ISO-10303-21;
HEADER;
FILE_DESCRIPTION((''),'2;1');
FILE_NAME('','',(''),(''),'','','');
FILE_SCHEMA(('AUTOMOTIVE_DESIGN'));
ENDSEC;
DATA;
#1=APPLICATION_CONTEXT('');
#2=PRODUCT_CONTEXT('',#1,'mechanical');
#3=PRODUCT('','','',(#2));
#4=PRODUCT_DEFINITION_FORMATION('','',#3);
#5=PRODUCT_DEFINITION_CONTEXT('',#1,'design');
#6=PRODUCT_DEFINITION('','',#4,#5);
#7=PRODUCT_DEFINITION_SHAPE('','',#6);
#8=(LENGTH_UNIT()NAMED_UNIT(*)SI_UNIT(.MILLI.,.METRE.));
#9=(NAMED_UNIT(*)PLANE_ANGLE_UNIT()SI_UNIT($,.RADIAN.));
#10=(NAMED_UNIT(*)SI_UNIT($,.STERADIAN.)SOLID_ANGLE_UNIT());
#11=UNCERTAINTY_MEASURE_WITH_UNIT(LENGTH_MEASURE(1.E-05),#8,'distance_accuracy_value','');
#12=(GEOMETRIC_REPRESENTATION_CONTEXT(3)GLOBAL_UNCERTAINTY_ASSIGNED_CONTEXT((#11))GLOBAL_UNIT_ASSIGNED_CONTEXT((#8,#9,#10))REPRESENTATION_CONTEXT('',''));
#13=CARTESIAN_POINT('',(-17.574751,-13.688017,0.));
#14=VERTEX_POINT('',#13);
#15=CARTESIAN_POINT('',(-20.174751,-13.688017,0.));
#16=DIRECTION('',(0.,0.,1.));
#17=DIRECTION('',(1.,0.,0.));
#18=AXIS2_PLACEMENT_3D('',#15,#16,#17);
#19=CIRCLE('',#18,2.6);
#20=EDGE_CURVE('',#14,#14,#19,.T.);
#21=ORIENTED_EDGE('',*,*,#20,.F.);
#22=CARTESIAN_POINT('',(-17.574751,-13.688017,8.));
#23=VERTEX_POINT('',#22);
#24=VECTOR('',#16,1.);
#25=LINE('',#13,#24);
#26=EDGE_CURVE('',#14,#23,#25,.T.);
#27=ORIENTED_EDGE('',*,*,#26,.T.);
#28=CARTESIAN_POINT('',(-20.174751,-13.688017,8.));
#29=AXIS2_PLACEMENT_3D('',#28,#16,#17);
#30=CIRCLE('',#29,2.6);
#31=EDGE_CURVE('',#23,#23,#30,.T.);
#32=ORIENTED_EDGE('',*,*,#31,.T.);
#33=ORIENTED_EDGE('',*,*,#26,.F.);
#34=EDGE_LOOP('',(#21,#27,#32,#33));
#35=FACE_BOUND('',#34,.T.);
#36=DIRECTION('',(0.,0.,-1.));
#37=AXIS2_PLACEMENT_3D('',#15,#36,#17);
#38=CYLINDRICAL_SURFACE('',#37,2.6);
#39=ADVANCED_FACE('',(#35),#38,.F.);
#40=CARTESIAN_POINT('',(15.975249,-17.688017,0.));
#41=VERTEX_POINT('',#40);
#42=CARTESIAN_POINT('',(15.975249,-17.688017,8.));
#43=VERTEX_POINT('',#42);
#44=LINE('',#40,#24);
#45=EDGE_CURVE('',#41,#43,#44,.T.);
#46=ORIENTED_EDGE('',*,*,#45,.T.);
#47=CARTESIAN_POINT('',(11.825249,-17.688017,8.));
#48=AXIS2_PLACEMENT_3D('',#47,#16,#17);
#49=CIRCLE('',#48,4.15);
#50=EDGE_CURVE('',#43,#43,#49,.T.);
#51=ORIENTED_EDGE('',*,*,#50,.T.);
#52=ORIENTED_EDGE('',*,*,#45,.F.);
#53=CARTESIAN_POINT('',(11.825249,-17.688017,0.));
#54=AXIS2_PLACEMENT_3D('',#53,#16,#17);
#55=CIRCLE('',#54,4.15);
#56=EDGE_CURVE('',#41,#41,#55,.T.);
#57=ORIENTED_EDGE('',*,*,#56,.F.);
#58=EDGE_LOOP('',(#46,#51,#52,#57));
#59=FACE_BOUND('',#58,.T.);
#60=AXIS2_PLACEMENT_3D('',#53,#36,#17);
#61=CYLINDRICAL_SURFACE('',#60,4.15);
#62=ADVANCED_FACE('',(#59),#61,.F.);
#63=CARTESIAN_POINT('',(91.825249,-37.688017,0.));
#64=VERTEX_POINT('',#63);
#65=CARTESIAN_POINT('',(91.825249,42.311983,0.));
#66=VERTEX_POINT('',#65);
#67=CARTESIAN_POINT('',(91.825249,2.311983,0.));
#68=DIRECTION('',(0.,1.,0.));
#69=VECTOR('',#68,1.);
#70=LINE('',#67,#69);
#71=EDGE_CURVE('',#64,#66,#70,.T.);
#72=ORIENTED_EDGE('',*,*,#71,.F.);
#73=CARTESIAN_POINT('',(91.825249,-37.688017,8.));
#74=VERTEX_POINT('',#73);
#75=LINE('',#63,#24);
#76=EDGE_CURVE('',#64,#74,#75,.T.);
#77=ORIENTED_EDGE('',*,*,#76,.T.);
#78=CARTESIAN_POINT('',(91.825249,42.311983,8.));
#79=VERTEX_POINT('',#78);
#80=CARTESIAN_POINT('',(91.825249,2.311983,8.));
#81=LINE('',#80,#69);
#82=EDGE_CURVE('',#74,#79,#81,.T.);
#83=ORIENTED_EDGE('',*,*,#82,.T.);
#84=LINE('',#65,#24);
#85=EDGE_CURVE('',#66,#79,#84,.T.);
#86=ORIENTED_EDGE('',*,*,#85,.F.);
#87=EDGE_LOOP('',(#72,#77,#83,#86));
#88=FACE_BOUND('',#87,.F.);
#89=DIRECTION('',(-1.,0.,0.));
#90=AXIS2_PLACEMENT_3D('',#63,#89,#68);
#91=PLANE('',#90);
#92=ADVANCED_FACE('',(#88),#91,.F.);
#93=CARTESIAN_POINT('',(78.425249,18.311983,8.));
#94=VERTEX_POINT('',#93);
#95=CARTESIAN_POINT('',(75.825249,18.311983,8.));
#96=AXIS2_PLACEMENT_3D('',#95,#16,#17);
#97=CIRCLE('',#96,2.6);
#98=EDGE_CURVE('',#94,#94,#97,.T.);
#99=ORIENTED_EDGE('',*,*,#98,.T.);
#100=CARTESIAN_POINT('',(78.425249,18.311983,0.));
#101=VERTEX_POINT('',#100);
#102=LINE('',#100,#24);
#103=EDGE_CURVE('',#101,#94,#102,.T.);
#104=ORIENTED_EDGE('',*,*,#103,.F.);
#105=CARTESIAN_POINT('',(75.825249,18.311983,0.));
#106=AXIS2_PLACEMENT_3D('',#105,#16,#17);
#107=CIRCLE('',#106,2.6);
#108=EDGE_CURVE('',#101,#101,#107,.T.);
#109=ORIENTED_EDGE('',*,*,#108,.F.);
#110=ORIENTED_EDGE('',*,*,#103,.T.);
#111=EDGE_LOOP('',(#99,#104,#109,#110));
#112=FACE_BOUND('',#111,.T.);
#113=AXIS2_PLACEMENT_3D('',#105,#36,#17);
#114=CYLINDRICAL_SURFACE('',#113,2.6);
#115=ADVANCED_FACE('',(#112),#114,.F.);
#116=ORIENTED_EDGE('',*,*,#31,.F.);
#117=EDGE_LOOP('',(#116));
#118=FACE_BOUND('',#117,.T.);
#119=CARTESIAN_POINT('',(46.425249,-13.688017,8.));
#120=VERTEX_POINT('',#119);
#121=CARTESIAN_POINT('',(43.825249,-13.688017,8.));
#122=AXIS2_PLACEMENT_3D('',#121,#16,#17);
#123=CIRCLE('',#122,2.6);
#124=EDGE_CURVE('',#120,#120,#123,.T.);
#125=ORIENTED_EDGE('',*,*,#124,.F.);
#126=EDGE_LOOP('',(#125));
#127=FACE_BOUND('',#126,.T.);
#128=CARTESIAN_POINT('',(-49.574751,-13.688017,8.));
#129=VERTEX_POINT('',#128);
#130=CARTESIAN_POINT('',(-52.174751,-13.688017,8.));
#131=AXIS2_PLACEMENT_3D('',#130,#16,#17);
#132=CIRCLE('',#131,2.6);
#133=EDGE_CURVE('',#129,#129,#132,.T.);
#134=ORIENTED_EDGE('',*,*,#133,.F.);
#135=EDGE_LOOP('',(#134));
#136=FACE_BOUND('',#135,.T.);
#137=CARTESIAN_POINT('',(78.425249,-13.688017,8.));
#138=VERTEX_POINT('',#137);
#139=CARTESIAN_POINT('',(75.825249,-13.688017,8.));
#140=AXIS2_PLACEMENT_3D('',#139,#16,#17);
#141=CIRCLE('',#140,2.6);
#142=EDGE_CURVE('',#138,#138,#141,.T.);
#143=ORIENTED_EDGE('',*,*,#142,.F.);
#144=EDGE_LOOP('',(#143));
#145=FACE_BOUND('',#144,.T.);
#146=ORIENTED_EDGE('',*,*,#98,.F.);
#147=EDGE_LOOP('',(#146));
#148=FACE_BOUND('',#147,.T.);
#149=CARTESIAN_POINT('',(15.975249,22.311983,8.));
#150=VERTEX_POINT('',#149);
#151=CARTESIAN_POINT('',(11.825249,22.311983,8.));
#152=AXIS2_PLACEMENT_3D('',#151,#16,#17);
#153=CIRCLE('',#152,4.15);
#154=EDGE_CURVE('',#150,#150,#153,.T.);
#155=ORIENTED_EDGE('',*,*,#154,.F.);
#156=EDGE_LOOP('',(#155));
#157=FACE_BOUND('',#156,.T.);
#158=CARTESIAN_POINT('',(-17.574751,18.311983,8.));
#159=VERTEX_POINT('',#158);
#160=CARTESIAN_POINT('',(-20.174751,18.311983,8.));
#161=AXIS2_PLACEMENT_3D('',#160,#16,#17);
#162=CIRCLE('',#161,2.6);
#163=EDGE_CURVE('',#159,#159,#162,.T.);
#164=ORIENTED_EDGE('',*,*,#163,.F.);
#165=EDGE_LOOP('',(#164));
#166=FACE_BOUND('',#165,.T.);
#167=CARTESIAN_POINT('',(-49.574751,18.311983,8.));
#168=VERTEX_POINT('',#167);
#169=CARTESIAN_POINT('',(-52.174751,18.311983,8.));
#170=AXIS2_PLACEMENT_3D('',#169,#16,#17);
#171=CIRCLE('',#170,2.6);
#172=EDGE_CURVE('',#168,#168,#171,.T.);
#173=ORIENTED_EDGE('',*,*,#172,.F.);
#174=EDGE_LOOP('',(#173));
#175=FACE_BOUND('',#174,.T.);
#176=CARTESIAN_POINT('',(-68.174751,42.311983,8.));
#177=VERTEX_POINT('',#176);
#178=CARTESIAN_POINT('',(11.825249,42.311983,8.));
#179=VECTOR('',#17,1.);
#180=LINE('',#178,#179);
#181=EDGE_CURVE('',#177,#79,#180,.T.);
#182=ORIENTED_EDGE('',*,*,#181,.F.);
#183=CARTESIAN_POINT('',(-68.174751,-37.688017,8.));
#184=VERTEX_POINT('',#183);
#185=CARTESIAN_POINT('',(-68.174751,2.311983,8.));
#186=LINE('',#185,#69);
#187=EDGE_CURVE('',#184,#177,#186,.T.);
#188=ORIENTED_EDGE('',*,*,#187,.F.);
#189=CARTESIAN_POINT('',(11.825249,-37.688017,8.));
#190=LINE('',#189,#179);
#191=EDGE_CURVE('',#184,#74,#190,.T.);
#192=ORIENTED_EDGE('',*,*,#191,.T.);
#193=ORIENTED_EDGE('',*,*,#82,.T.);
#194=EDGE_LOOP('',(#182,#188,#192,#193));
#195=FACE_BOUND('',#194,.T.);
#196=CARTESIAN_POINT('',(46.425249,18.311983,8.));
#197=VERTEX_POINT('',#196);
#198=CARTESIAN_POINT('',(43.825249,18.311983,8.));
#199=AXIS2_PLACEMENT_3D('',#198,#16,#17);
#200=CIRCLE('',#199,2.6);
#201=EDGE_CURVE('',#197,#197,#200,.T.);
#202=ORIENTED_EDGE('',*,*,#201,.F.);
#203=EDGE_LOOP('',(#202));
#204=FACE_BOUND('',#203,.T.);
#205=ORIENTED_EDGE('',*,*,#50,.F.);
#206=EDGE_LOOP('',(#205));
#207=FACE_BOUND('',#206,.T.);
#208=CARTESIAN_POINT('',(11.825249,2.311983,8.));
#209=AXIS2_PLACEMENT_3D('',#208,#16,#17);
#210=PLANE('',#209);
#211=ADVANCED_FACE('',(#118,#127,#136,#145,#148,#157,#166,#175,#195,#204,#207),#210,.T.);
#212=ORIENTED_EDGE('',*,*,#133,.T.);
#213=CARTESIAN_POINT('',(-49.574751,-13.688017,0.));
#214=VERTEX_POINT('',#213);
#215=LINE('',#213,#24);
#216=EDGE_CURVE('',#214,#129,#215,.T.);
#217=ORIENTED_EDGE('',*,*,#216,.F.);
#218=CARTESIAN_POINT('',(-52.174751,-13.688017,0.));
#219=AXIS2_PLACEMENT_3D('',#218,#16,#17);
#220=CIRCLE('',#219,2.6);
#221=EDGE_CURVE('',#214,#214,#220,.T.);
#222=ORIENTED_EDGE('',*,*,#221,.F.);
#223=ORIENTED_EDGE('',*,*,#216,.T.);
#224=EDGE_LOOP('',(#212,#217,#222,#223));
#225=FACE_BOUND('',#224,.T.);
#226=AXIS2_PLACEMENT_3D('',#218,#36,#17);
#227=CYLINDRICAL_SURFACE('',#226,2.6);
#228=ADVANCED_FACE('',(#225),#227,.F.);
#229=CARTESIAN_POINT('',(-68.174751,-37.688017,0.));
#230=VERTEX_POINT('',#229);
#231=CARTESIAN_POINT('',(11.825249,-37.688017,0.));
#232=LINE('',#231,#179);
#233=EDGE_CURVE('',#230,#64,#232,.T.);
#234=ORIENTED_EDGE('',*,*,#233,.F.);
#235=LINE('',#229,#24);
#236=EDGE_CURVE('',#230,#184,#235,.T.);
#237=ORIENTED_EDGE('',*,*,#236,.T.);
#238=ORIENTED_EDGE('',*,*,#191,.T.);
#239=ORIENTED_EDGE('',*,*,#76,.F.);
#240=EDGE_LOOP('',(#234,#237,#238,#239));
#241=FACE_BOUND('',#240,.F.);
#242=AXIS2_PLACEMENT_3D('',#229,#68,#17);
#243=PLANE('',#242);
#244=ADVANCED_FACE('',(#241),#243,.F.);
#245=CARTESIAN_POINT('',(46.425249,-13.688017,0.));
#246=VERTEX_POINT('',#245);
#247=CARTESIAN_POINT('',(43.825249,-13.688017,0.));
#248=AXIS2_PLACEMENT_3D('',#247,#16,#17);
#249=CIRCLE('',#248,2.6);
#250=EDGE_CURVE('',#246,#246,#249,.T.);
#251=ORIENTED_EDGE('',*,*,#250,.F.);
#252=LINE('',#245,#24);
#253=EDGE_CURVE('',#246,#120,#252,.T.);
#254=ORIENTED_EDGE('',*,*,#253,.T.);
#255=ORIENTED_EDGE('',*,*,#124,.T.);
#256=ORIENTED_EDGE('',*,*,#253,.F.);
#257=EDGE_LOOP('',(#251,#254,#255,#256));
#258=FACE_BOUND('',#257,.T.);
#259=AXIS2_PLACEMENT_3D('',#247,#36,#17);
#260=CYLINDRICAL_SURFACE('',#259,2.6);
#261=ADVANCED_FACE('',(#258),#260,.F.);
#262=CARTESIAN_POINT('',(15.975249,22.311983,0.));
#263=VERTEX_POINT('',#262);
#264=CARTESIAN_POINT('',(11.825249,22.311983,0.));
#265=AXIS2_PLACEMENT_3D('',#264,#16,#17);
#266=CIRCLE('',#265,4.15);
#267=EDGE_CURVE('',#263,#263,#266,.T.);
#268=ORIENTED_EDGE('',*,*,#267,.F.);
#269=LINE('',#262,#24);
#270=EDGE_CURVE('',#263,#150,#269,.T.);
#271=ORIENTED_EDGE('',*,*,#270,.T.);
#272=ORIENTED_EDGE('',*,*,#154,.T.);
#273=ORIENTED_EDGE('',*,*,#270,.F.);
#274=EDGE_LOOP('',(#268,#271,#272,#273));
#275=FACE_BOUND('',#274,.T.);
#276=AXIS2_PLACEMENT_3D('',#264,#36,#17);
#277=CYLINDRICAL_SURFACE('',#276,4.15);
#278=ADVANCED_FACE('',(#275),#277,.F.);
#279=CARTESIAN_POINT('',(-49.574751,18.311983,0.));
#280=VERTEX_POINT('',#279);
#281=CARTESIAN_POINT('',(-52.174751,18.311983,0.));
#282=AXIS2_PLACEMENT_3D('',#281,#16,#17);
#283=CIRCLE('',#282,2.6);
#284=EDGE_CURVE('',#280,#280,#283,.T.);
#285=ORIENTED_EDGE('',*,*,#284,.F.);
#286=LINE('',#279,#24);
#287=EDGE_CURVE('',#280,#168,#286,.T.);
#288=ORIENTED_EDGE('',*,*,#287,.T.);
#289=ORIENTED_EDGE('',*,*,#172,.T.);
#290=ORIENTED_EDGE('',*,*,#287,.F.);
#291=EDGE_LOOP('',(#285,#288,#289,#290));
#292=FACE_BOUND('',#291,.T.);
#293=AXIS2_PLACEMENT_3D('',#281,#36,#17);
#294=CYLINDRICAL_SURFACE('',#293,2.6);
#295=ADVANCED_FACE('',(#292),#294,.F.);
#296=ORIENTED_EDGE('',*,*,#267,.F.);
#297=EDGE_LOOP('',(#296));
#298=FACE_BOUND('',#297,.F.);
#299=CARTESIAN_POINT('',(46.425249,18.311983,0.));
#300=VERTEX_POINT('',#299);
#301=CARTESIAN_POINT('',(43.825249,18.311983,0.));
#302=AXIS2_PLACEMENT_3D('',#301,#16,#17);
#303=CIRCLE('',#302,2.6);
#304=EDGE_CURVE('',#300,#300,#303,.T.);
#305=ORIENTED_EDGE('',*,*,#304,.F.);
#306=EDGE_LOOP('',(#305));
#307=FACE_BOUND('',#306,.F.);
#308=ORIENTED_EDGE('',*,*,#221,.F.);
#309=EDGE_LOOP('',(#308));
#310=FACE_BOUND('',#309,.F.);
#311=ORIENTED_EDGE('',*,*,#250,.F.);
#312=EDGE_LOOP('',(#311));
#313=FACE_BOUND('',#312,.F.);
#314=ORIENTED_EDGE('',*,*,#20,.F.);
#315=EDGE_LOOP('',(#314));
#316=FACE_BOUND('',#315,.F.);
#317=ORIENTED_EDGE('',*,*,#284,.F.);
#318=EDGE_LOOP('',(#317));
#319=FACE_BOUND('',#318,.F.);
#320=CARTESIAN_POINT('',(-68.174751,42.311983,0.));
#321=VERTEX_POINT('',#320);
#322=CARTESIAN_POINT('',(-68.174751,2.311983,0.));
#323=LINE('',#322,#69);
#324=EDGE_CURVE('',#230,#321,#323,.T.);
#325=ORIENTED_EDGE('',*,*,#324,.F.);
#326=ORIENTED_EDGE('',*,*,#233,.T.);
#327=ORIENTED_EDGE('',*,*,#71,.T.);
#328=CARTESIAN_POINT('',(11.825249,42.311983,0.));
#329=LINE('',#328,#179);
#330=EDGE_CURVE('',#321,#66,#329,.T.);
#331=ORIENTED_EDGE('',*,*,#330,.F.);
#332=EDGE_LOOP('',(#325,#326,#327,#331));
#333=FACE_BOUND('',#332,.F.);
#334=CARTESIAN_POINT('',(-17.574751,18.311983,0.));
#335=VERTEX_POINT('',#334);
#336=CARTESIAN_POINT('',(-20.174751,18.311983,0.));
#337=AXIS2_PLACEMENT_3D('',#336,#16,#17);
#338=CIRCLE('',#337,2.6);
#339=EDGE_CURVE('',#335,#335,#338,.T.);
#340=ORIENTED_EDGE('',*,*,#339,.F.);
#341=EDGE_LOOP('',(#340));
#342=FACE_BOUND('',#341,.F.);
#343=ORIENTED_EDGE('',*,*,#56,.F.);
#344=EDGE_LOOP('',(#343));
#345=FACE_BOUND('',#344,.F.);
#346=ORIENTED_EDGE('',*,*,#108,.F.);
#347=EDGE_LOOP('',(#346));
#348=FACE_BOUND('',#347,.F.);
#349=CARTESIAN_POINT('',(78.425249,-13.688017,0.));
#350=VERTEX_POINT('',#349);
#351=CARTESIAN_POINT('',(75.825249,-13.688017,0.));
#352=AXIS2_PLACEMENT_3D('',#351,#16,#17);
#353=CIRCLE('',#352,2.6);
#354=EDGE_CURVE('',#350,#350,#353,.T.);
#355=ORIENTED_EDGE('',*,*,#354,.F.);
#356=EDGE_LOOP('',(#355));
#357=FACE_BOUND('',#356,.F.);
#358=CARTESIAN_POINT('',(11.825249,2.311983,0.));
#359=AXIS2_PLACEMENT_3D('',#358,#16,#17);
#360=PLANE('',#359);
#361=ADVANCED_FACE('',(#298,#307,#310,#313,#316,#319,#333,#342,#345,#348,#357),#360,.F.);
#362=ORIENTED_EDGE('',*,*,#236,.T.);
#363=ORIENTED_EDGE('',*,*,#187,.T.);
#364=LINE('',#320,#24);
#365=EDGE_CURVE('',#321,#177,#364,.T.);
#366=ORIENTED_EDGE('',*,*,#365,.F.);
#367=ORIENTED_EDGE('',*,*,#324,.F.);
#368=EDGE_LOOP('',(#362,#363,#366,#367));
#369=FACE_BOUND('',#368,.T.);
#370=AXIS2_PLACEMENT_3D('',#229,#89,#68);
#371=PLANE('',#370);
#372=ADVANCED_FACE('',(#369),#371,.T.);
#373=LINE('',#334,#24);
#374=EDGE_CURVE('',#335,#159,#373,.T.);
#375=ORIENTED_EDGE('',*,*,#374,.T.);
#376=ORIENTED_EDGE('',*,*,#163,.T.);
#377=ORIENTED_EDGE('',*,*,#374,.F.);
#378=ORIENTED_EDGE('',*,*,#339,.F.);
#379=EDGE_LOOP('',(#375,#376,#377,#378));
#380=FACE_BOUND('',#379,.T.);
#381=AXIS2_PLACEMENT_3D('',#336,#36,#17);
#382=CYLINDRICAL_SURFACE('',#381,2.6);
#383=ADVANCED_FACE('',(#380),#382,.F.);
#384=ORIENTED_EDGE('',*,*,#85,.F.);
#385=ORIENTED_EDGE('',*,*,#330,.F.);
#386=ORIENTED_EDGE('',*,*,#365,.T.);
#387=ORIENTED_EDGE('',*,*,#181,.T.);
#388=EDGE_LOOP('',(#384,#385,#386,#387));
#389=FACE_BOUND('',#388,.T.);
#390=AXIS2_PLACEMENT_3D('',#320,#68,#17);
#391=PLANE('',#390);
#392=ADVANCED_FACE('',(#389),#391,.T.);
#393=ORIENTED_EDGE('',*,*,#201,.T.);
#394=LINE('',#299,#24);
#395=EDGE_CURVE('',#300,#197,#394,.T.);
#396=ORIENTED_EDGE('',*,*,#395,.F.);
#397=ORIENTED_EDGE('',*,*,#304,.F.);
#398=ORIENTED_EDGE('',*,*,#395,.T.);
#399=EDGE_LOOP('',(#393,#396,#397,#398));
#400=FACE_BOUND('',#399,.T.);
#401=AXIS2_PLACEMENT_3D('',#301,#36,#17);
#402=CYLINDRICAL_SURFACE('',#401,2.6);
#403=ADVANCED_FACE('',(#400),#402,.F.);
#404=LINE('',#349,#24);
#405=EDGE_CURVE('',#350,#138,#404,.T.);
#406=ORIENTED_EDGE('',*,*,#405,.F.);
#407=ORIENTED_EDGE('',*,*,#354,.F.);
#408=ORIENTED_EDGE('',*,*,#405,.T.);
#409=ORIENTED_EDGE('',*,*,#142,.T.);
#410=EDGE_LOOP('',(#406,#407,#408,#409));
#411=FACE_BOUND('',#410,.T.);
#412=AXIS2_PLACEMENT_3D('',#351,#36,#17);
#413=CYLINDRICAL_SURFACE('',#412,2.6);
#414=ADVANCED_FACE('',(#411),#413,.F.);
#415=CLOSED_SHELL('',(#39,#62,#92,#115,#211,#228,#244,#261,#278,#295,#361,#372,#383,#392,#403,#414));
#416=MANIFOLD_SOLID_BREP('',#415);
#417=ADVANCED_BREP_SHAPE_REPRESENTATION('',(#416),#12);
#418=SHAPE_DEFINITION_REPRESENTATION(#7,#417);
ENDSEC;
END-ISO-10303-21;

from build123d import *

# Parameters (mm, degrees)
F0_W     = 160
F0_H     = 80
F0_R     = 2.6
F0_R_2   = 4.15
F1_DEPTH = 8


with BuildPart() as f1:
    # F0 (on Top) → F1 (new body)
    with BuildSketch(Plane.XY):
        with Locations((11.825249, 2.311983)):
            Rectangle(F0_W, F0_H)
        with Locations((-52.174751, -13.688017)):
            Circle(F0_R, mode=Mode.SUBTRACT)
        with Locations((-20.174751, -13.688017)):
            Circle(F0_R, mode=Mode.SUBTRACT)
        with Locations((11.825249, -17.688017)):
            Circle(F0_R_2, mode=Mode.SUBTRACT)
        with Locations((43.825249, -13.688017)):
            Circle(F0_R, mode=Mode.SUBTRACT)
        with Locations((75.825249, -13.688017)):
            Circle(F0_R, mode=Mode.SUBTRACT)
        with Locations((-52.174751, 18.311983)):
            Circle(F0_R, mode=Mode.SUBTRACT)
        with Locations((-20.174751, 18.311983)):
            Circle(F0_R, mode=Mode.SUBTRACT)
        with Locations((11.825249, 22.311983)):
            Circle(F0_R_2, mode=Mode.SUBTRACT)
        with Locations((43.825249, 18.311983)):
            Circle(F0_R, mode=Mode.SUBTRACT)
        with Locations((75.825249, 18.311983)):
            Circle(F0_R, mode=Mode.SUBTRACT)
    extrude(amount=F1_DEPTH)


solid = f1.part
